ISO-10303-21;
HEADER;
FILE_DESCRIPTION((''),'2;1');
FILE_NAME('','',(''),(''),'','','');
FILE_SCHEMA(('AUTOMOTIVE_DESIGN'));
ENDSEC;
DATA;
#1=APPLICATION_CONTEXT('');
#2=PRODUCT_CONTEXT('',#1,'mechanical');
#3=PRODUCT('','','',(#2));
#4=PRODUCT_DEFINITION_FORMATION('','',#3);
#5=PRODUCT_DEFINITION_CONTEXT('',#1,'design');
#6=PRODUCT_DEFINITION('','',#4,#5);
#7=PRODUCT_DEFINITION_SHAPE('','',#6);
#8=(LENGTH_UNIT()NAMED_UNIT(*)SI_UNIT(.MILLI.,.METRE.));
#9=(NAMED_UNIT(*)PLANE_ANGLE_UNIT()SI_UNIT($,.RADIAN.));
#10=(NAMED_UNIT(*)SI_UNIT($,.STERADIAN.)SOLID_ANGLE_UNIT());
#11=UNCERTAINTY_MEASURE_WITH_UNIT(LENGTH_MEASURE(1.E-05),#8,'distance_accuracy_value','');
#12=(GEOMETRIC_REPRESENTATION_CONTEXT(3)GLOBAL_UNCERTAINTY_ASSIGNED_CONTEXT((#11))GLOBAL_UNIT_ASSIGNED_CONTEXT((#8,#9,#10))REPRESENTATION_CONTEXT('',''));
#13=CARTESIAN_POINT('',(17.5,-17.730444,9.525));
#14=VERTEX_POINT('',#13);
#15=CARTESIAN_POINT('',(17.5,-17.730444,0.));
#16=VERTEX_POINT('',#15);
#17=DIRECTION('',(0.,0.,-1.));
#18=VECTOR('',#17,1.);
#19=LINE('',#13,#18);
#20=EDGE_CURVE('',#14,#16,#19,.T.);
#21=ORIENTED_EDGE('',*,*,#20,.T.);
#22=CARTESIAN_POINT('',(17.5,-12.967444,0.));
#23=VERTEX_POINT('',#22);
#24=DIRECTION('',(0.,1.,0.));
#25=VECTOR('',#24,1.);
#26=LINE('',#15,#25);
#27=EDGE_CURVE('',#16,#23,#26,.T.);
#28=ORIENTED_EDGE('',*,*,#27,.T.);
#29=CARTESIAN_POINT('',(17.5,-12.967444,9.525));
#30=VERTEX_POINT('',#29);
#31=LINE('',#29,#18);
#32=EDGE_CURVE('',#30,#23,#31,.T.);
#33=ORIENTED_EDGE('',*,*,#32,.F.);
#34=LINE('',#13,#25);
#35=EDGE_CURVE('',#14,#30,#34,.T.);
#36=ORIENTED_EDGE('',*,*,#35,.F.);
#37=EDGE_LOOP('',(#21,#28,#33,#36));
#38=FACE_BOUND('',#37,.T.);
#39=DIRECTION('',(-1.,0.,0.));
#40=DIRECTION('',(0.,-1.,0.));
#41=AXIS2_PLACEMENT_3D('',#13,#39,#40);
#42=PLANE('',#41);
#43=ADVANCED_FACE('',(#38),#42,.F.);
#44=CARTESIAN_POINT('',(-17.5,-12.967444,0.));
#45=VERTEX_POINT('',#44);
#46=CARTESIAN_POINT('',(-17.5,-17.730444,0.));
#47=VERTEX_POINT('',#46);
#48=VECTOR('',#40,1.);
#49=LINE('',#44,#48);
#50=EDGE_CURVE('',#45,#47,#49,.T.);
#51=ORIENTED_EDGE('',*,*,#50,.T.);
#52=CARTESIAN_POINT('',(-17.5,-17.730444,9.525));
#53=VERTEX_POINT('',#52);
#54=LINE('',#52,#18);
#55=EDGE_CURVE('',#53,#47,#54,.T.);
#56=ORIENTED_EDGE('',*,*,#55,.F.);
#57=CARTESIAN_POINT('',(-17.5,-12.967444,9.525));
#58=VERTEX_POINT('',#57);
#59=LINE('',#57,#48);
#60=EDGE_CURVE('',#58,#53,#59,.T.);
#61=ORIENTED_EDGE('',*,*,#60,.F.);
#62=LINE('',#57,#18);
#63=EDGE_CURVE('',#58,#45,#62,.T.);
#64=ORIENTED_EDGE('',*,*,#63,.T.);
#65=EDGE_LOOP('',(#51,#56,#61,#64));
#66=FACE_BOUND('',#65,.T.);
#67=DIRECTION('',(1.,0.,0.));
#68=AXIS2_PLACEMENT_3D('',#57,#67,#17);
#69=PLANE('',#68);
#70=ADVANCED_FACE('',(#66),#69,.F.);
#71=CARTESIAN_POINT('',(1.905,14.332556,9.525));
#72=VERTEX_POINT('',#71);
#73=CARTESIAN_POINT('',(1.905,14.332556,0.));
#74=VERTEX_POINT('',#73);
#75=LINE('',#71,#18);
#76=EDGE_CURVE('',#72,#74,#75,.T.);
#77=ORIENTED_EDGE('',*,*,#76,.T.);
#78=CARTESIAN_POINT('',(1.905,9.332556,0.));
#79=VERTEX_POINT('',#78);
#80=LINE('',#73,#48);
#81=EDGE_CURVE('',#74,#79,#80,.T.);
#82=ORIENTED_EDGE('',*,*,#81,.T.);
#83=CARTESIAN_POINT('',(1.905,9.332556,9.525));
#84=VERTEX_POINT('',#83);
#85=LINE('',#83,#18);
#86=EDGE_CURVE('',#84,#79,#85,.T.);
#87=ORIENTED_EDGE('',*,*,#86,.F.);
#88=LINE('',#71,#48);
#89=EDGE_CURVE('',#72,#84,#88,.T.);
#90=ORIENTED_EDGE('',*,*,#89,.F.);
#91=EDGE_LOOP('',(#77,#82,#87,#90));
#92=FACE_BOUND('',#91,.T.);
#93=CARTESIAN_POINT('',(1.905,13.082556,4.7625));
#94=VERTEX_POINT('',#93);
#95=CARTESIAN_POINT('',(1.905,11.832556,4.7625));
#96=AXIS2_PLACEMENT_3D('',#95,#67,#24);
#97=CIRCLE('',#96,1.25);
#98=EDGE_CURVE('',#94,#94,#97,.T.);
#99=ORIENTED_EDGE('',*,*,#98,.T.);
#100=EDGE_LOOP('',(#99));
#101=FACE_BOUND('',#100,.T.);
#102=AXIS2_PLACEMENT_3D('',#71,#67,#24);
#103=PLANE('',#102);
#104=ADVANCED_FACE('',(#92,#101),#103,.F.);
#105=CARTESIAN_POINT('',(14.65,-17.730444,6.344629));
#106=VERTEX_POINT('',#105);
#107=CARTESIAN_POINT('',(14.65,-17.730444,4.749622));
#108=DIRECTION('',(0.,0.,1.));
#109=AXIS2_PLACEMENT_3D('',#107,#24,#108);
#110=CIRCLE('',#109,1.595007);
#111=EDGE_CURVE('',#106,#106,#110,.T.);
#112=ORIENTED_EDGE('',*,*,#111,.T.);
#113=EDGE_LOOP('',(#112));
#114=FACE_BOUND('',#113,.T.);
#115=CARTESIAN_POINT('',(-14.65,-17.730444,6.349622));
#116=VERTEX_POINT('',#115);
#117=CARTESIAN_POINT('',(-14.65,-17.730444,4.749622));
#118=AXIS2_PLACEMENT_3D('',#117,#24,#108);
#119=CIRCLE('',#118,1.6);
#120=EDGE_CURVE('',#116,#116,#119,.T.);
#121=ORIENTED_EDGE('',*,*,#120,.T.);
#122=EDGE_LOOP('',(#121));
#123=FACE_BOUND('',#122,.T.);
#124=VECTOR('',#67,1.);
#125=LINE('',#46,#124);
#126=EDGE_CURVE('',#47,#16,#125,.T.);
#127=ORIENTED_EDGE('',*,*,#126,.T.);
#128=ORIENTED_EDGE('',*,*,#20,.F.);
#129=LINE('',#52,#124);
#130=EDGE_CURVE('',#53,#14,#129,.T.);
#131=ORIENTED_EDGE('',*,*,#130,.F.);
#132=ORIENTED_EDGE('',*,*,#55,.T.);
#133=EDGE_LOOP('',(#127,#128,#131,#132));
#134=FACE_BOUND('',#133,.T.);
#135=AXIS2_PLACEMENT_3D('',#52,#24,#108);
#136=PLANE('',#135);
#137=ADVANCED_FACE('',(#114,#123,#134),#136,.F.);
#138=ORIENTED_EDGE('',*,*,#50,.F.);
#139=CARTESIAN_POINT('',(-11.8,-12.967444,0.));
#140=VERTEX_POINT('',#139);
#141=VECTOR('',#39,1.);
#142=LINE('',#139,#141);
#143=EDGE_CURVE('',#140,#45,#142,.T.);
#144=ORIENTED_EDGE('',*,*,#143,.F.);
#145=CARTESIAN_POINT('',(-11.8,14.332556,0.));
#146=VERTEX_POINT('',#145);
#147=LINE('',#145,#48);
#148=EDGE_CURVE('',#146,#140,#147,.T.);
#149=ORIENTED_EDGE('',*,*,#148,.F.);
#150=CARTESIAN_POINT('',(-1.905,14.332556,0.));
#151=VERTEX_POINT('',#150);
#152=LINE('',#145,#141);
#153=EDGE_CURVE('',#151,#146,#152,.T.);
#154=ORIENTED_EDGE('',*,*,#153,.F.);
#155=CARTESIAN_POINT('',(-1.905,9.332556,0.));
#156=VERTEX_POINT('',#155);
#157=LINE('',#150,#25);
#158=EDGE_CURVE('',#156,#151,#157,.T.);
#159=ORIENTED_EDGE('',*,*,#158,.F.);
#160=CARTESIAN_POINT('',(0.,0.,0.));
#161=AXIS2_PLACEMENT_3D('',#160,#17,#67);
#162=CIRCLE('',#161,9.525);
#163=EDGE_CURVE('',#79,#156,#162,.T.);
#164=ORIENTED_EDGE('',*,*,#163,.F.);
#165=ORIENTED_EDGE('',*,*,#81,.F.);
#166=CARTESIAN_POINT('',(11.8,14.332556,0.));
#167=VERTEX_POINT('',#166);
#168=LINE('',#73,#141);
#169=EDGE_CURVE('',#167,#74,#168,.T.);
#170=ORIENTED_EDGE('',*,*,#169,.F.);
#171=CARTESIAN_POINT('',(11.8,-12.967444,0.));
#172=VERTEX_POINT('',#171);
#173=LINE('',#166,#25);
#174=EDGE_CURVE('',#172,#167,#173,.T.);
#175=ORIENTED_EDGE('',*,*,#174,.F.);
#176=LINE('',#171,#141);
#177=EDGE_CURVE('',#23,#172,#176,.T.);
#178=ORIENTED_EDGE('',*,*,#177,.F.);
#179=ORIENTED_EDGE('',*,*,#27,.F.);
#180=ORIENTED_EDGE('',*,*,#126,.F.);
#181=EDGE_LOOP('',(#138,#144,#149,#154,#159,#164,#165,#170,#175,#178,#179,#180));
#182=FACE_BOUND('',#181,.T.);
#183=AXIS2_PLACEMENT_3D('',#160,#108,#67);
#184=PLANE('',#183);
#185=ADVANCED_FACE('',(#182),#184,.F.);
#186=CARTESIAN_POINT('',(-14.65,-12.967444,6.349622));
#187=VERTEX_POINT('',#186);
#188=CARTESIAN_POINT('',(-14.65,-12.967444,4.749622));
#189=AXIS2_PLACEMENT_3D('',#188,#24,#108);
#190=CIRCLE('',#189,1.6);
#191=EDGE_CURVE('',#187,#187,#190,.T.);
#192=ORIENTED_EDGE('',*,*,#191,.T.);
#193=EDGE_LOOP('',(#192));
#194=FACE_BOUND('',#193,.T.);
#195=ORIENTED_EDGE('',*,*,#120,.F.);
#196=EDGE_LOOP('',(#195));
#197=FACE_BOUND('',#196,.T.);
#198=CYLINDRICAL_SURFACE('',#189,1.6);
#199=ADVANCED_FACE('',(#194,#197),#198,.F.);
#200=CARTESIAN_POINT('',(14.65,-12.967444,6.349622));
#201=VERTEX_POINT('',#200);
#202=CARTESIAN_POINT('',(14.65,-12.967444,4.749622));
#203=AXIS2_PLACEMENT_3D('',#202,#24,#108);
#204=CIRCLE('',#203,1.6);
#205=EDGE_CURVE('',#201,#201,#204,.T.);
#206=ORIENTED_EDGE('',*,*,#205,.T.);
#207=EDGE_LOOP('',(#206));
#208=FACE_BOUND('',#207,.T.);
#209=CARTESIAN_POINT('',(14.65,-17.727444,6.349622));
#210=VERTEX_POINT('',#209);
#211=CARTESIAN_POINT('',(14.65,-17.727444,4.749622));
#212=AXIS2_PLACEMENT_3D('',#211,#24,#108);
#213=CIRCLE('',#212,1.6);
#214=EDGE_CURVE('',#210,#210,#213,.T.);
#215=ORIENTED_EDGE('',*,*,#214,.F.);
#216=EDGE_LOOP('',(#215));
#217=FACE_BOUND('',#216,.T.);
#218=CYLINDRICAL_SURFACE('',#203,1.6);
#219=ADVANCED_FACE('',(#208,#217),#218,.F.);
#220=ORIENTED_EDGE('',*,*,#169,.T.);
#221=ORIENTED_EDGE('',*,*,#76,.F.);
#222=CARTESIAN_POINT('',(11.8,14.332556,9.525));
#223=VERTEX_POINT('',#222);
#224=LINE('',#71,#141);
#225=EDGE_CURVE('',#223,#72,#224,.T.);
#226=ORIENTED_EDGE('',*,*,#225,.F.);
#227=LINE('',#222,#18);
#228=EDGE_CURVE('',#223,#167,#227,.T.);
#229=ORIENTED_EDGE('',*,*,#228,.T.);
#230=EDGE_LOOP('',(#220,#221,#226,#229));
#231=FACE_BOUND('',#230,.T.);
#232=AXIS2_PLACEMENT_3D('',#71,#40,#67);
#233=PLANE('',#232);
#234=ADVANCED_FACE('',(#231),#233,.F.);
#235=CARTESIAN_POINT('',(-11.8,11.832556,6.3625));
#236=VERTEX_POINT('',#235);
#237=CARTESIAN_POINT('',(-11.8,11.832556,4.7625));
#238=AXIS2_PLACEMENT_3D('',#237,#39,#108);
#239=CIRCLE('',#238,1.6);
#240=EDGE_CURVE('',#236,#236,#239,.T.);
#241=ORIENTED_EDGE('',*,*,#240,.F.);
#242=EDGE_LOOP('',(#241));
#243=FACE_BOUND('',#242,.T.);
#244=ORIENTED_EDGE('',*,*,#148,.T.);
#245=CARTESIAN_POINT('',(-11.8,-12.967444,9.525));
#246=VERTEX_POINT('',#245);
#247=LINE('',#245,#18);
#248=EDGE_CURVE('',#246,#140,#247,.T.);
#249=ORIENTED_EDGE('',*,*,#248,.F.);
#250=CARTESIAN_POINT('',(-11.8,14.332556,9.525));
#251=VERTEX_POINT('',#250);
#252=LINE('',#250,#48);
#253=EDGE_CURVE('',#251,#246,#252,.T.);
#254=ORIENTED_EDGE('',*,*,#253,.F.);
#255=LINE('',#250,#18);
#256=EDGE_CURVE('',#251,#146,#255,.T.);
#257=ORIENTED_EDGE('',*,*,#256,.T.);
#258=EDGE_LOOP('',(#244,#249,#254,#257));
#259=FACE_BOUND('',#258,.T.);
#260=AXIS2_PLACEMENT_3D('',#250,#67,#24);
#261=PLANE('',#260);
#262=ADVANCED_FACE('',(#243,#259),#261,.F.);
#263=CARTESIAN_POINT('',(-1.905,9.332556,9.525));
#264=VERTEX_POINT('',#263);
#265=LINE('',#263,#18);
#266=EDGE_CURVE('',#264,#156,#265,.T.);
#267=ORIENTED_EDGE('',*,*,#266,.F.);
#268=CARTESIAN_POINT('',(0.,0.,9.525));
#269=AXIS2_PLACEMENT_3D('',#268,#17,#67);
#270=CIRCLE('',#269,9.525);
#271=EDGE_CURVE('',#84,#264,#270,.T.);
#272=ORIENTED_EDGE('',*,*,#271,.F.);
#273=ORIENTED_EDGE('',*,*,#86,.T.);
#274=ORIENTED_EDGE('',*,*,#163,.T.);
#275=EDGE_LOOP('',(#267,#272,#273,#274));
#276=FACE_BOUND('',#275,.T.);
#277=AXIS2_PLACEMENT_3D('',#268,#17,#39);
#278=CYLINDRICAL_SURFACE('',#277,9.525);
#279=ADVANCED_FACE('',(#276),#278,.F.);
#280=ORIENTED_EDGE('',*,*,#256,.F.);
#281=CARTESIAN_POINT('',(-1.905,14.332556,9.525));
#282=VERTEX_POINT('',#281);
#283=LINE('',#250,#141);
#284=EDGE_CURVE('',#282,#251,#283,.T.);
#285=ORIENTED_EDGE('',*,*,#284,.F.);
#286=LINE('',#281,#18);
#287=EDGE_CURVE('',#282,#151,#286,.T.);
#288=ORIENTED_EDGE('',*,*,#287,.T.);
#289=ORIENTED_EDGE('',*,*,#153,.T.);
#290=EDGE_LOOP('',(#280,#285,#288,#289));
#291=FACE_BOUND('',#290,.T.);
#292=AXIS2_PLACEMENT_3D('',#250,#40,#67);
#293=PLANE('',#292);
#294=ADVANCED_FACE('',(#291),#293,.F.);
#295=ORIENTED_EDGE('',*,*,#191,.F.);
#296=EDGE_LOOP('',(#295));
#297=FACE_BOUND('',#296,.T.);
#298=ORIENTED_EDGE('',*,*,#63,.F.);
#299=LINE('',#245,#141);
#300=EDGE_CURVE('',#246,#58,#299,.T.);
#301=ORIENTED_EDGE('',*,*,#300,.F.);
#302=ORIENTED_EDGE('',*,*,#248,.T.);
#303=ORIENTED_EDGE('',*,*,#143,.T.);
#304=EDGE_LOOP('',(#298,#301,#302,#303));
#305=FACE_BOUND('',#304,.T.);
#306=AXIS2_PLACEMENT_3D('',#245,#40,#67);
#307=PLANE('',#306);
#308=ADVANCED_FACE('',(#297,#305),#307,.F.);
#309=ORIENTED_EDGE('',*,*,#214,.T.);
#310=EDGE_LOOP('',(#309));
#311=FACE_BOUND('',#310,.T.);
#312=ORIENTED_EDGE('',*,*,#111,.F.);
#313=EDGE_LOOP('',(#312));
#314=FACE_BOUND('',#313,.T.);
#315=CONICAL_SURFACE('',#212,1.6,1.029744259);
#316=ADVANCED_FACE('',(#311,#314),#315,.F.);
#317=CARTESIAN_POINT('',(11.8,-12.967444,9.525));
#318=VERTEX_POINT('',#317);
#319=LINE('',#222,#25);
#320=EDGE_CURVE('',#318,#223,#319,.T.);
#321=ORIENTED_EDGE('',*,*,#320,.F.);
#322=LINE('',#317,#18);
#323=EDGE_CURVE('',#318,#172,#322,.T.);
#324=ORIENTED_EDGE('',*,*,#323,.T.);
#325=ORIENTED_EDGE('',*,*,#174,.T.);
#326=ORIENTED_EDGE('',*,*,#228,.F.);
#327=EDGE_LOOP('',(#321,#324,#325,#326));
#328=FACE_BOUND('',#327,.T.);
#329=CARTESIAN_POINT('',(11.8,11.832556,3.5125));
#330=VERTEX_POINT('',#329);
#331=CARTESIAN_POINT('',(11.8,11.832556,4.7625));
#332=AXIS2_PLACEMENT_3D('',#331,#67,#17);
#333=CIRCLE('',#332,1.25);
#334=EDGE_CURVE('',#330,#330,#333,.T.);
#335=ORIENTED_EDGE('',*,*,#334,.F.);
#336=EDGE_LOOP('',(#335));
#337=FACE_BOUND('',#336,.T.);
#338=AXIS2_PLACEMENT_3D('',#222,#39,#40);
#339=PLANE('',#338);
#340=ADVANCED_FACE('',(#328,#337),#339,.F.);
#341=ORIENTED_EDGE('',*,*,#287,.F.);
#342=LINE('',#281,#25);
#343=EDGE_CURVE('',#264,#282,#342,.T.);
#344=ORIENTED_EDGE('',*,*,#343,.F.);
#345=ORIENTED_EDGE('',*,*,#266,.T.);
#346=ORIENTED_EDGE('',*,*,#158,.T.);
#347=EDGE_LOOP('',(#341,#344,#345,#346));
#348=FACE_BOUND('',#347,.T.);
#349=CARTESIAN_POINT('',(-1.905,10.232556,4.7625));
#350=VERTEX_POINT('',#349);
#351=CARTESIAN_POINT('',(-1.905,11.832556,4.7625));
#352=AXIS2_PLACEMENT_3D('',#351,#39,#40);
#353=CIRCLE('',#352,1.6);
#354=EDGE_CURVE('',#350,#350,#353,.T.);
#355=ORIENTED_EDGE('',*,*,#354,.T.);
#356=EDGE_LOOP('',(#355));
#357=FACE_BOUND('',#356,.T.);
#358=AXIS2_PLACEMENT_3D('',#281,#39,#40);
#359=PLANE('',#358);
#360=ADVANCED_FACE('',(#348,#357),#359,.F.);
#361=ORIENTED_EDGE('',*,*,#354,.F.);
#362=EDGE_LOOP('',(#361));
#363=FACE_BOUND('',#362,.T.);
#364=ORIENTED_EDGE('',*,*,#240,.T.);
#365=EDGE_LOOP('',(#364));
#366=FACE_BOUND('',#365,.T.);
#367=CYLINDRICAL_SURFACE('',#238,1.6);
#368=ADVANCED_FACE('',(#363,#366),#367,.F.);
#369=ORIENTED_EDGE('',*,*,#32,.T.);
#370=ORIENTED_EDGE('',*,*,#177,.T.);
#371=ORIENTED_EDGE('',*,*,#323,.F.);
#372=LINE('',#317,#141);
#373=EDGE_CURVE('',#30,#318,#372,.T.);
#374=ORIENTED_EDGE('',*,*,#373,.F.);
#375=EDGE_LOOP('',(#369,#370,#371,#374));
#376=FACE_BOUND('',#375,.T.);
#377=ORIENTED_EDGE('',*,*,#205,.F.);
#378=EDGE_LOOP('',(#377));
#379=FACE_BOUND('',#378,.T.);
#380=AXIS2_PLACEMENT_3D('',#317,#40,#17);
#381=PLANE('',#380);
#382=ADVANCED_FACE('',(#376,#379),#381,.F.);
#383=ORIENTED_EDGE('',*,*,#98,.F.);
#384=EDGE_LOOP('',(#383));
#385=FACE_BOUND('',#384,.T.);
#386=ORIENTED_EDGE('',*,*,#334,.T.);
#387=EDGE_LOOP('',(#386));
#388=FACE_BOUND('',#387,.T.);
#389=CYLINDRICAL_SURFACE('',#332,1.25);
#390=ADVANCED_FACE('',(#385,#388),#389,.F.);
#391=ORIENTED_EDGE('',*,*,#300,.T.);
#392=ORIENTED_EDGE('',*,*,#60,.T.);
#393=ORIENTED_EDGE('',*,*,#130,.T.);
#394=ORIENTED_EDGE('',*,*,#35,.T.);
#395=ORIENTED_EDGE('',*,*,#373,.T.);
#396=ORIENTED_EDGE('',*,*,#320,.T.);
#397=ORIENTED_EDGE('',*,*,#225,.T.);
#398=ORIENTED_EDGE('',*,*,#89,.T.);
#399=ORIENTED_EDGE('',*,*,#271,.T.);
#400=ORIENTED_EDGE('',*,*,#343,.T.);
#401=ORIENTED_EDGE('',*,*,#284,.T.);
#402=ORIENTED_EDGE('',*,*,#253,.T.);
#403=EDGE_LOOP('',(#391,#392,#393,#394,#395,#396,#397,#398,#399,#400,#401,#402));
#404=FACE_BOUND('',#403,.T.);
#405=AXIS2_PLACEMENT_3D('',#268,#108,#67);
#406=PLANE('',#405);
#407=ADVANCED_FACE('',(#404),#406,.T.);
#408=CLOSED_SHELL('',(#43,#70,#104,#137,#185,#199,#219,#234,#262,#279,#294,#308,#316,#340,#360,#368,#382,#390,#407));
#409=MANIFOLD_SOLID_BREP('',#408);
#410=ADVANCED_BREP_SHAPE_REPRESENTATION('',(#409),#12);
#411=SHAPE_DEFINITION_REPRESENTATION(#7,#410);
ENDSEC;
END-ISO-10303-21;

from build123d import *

# Parameters (mm, degrees)
BOSS_EXTRUDE3_DEPTH             = 9.525
TAP_DRILL_FOR_M3X0_5_TAP1_D     = 2.5
TAP_DRILL_FOR_M3X0_5_TAP1_DEPTH = 9.895
M3_CLEARANCE_HOLE1_D            = 3.2
M3_CLEARANCE_HOLE2_D            = 3.2
M3_CLEARANCE_HOLE2_DEPTH        = 4.76
M3_CLEARANCE_HOLE2_TIP          = 0.96137699
M3_CLEARANCE_HOLE3_D            = 3.2
M3_CLEARANCE_HOLE3_DEPTH        = 9.895


with BuildPart() as part:
    # Sketch7 → Boss-Extrude3 (new body)
    with BuildSketch(Plane.XY):
        with BuildLine():
            Line((-11.8, 14.33255592), (-1.905, 14.33255592))
            Line((-1.905, 14.33255592), (-1.905, 9.33255592))
            ThreePointArc((-1.905, 9.33255592), (0, -9.525), (1.905, 9.33255592))
            Line((1.905, 9.33255592), (1.905, 14.33255592))
            Line((1.905, 14.33255592), (11.8, 14.33255592))
            Line((11.8, 14.33255592), (11.8, -12.96744408))
            Line((11.8, -12.96744408), (17.5, -12.96744408))
            Line((17.5, -12.96744408), (17.5, -17.73044408))
            Line((17.5, -17.73044408), (-17.5, -17.73044408))
            Line((-17.5, -17.73044408), (-17.5, -12.96744408))
            Line((-17.5, -12.96744408), (-11.8, -12.96744408))
            Line((-11.8, -12.96744408), (-11.8, 14.33255592))
        make_face()
    extrude(amount=BOSS_EXTRUDE3_DEPTH)

    # Tap Drill for M3x0.5 Tap1
    with Locations(Plane(origin=(11.8, 0, 0), x_dir=(0, 0, -1), z_dir=(1, 0, 0))):
        with Locations((-4.7625, 11.83255592)):
            Hole(TAP_DRILL_FOR_M3X0_5_TAP1_D / 2, depth=TAP_DRILL_FOR_M3X0_5_TAP1_DEPTH)

    # M3 Clearance Hole1 (through all)
    with Locations(Plane(origin=(0, -12.96744408, 0), x_dir=(1, 0, 0), z_dir=(0, 1, 0))):
        with Locations((-14.65, -4.749621695)):
            Hole(M3_CLEARANCE_HOLE1_D / 2)

    # M3 Clearance Hole2
    with Locations(Plane(origin=(0, -12.96744408, 0), x_dir=(1, 0, 0), z_dir=(0, 1, 0))):
        with Locations((14.65, -4.749621695)):
            Hole(M3_CLEARANCE_HOLE2_D / 2, depth=M3_CLEARANCE_HOLE2_DEPTH)
            with Locations((0, 0, -(M3_CLEARANCE_HOLE2_DEPTH + M3_CLEARANCE_HOLE2_TIP / 2))):  # 118° drill point
                Cone(0, M3_CLEARANCE_HOLE2_D / 2, M3_CLEARANCE_HOLE2_TIP, mode=Mode.SUBTRACT)

    # M3 Clearance Hole3
    with Locations(Plane.ZY.offset(11.8)):
        with Locations((4.7625, 11.83255592)):
            Hole(M3_CLEARANCE_HOLE3_D / 2, depth=M3_CLEARANCE_HOLE3_DEPTH)


solid = part.part
